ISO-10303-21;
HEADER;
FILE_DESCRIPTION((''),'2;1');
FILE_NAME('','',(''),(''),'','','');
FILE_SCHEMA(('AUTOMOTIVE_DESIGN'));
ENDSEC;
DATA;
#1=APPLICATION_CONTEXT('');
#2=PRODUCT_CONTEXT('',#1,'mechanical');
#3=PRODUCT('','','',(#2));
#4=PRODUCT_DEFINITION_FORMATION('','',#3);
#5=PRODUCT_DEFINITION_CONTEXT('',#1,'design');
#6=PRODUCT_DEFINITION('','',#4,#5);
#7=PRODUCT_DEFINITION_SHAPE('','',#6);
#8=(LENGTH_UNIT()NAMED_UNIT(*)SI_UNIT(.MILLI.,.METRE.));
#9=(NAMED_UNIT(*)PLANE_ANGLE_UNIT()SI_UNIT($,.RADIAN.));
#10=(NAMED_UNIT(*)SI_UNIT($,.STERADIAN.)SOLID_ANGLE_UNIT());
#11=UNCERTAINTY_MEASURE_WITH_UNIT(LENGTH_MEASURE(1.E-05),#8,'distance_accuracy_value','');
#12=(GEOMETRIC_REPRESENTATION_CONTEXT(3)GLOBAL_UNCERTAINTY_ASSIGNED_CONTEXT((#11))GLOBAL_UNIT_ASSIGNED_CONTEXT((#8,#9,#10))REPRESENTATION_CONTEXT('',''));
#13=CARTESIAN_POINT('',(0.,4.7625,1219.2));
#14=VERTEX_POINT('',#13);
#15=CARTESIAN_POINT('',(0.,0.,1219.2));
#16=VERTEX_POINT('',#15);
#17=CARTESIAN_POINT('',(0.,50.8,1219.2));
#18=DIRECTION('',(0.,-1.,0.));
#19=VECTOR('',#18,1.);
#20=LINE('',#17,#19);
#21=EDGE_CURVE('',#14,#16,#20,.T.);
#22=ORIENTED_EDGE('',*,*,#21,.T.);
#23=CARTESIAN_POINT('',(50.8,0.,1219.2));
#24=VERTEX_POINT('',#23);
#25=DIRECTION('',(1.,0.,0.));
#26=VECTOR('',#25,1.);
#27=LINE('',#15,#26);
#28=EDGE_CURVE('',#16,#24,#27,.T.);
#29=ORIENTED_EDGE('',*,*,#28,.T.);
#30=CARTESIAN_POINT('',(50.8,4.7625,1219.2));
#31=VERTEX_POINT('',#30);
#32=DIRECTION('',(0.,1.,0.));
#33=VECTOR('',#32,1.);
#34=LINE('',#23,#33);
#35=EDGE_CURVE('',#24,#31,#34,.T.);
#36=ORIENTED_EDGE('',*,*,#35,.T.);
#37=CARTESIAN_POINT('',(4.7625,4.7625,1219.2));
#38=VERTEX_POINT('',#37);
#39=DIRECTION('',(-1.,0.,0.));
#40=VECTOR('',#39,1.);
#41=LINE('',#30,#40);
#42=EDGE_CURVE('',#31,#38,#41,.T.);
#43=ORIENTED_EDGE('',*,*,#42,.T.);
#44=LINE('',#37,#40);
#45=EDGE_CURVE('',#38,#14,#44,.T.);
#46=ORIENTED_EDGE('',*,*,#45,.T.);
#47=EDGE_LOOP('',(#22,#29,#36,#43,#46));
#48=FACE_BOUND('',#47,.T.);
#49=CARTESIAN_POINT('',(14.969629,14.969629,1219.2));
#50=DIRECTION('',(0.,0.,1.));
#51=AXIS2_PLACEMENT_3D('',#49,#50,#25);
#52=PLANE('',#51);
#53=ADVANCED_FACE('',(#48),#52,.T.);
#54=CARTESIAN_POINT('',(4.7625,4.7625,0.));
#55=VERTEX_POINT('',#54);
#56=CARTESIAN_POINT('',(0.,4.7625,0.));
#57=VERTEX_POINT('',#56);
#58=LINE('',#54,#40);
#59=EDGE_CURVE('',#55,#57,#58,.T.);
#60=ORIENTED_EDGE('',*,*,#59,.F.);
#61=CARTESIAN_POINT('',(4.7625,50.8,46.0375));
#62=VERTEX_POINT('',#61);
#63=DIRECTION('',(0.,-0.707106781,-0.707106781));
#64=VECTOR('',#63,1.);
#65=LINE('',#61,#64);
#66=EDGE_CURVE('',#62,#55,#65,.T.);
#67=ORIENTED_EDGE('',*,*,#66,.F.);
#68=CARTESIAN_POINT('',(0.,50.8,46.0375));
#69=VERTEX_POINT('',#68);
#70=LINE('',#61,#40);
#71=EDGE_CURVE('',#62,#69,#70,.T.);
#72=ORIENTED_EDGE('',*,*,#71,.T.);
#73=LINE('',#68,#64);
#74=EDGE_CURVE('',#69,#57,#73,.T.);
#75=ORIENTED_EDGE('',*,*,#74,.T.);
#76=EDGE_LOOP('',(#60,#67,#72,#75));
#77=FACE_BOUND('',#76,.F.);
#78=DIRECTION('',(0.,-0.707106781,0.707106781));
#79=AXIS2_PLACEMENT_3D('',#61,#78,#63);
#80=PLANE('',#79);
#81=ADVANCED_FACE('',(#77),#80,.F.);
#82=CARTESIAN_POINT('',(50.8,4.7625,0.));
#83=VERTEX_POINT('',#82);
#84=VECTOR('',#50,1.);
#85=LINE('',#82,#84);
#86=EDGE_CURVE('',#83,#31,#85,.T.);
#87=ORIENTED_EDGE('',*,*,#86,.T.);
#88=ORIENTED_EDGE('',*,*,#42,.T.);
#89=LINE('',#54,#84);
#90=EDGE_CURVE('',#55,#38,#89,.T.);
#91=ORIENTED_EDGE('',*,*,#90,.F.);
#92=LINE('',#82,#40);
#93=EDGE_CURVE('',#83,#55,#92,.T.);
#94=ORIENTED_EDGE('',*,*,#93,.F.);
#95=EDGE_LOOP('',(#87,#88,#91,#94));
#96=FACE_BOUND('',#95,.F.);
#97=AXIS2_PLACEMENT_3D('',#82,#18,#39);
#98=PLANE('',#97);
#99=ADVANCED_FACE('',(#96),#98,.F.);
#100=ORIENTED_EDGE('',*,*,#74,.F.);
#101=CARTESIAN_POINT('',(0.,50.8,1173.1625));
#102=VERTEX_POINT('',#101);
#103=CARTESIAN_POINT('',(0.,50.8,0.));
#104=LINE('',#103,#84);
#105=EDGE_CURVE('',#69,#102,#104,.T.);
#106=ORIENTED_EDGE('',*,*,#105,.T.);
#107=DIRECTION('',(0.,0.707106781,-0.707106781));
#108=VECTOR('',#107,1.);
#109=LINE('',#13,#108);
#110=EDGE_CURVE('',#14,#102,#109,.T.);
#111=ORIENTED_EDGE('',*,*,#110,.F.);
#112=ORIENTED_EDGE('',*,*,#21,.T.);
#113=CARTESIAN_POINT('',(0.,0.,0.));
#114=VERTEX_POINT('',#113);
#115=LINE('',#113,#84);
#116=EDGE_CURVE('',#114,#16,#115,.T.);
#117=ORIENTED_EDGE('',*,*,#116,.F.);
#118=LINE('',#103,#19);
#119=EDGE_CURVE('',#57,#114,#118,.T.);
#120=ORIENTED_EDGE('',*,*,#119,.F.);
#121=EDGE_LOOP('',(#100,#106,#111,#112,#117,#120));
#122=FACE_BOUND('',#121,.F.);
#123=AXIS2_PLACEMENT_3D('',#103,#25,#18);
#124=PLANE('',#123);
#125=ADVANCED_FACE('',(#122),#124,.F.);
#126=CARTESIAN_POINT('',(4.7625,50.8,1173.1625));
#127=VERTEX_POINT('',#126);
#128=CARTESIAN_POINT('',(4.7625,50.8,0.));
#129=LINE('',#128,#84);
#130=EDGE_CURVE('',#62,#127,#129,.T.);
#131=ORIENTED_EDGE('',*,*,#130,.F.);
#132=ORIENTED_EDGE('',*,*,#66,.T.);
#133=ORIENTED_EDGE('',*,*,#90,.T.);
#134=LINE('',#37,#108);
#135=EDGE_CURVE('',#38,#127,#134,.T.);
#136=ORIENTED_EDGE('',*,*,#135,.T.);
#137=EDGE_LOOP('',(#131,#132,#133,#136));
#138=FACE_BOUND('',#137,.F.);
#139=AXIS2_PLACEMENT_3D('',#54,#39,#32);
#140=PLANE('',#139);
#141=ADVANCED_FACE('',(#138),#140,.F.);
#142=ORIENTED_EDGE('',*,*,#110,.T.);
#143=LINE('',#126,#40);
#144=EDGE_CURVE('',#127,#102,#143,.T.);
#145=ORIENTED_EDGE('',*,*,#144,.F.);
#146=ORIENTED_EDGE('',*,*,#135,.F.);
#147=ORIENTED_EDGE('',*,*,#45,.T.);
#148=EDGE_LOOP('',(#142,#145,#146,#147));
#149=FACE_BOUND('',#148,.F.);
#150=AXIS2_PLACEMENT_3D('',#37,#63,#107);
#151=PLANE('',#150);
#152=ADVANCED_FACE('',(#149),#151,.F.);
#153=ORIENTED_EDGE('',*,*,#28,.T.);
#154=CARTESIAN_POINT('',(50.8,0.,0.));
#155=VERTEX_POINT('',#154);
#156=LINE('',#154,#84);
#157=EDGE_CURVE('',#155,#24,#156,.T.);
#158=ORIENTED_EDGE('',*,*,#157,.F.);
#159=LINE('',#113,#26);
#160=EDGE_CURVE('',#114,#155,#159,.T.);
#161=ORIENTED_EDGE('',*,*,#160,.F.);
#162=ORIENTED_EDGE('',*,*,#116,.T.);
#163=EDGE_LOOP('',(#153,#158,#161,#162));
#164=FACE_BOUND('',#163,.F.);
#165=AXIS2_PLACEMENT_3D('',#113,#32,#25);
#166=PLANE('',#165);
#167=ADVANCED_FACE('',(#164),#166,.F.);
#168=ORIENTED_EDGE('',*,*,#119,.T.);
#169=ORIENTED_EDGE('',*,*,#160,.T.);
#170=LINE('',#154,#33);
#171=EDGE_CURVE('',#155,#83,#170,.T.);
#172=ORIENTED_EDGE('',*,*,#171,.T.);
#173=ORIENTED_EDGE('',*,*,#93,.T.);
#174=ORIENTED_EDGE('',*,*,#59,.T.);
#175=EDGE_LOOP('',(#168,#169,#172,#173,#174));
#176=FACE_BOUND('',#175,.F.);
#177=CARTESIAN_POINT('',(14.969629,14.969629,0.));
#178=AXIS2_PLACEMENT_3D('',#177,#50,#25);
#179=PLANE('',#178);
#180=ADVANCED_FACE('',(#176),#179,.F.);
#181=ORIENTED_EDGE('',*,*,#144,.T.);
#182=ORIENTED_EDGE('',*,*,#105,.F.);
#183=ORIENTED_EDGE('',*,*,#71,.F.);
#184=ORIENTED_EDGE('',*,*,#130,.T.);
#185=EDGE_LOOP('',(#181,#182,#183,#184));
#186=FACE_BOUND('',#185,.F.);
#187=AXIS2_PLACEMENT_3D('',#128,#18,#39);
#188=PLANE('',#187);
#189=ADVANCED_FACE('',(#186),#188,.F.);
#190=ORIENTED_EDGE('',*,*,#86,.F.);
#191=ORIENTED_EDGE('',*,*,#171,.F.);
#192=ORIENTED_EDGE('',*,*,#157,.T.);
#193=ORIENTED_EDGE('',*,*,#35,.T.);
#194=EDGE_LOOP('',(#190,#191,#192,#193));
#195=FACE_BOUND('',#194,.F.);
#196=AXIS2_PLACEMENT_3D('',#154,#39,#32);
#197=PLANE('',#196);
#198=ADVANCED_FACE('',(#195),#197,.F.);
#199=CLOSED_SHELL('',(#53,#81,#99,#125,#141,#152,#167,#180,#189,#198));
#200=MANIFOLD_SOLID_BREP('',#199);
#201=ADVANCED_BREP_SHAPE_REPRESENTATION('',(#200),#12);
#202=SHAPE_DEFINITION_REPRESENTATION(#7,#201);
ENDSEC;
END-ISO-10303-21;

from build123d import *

# Parameters (mm, degrees)
F1_DEPTH = 1219.2
F3_DEPTH = 4.7625


with BuildPart() as f1:
    # F0 (on Top) → F1 (new body)
    with BuildSketch(Plane.XY):
        Polygon((0, 50.8), (0, 0), (50.8, 0), (50.8, 4.7625), (4.7625, 4.7625), (4.7625, 50.8), align=None)
    extrude(amount=F1_DEPTH)

    # F2 (on face) → F3 (cut, through all)
    with BuildSketch(Plane.YZ.offset(4.7625)):
        Polygon((50.8, 46.0375), (4.7625, 0), (50.8, 0), align=None)
        Polygon((50.8, 1219.2), (4.7625, 1219.2), (50.8, 1173.1625), align=None)
    extrude(amount=-F3_DEPTH, mode=Mode.SUBTRACT)


solid = f1.part
